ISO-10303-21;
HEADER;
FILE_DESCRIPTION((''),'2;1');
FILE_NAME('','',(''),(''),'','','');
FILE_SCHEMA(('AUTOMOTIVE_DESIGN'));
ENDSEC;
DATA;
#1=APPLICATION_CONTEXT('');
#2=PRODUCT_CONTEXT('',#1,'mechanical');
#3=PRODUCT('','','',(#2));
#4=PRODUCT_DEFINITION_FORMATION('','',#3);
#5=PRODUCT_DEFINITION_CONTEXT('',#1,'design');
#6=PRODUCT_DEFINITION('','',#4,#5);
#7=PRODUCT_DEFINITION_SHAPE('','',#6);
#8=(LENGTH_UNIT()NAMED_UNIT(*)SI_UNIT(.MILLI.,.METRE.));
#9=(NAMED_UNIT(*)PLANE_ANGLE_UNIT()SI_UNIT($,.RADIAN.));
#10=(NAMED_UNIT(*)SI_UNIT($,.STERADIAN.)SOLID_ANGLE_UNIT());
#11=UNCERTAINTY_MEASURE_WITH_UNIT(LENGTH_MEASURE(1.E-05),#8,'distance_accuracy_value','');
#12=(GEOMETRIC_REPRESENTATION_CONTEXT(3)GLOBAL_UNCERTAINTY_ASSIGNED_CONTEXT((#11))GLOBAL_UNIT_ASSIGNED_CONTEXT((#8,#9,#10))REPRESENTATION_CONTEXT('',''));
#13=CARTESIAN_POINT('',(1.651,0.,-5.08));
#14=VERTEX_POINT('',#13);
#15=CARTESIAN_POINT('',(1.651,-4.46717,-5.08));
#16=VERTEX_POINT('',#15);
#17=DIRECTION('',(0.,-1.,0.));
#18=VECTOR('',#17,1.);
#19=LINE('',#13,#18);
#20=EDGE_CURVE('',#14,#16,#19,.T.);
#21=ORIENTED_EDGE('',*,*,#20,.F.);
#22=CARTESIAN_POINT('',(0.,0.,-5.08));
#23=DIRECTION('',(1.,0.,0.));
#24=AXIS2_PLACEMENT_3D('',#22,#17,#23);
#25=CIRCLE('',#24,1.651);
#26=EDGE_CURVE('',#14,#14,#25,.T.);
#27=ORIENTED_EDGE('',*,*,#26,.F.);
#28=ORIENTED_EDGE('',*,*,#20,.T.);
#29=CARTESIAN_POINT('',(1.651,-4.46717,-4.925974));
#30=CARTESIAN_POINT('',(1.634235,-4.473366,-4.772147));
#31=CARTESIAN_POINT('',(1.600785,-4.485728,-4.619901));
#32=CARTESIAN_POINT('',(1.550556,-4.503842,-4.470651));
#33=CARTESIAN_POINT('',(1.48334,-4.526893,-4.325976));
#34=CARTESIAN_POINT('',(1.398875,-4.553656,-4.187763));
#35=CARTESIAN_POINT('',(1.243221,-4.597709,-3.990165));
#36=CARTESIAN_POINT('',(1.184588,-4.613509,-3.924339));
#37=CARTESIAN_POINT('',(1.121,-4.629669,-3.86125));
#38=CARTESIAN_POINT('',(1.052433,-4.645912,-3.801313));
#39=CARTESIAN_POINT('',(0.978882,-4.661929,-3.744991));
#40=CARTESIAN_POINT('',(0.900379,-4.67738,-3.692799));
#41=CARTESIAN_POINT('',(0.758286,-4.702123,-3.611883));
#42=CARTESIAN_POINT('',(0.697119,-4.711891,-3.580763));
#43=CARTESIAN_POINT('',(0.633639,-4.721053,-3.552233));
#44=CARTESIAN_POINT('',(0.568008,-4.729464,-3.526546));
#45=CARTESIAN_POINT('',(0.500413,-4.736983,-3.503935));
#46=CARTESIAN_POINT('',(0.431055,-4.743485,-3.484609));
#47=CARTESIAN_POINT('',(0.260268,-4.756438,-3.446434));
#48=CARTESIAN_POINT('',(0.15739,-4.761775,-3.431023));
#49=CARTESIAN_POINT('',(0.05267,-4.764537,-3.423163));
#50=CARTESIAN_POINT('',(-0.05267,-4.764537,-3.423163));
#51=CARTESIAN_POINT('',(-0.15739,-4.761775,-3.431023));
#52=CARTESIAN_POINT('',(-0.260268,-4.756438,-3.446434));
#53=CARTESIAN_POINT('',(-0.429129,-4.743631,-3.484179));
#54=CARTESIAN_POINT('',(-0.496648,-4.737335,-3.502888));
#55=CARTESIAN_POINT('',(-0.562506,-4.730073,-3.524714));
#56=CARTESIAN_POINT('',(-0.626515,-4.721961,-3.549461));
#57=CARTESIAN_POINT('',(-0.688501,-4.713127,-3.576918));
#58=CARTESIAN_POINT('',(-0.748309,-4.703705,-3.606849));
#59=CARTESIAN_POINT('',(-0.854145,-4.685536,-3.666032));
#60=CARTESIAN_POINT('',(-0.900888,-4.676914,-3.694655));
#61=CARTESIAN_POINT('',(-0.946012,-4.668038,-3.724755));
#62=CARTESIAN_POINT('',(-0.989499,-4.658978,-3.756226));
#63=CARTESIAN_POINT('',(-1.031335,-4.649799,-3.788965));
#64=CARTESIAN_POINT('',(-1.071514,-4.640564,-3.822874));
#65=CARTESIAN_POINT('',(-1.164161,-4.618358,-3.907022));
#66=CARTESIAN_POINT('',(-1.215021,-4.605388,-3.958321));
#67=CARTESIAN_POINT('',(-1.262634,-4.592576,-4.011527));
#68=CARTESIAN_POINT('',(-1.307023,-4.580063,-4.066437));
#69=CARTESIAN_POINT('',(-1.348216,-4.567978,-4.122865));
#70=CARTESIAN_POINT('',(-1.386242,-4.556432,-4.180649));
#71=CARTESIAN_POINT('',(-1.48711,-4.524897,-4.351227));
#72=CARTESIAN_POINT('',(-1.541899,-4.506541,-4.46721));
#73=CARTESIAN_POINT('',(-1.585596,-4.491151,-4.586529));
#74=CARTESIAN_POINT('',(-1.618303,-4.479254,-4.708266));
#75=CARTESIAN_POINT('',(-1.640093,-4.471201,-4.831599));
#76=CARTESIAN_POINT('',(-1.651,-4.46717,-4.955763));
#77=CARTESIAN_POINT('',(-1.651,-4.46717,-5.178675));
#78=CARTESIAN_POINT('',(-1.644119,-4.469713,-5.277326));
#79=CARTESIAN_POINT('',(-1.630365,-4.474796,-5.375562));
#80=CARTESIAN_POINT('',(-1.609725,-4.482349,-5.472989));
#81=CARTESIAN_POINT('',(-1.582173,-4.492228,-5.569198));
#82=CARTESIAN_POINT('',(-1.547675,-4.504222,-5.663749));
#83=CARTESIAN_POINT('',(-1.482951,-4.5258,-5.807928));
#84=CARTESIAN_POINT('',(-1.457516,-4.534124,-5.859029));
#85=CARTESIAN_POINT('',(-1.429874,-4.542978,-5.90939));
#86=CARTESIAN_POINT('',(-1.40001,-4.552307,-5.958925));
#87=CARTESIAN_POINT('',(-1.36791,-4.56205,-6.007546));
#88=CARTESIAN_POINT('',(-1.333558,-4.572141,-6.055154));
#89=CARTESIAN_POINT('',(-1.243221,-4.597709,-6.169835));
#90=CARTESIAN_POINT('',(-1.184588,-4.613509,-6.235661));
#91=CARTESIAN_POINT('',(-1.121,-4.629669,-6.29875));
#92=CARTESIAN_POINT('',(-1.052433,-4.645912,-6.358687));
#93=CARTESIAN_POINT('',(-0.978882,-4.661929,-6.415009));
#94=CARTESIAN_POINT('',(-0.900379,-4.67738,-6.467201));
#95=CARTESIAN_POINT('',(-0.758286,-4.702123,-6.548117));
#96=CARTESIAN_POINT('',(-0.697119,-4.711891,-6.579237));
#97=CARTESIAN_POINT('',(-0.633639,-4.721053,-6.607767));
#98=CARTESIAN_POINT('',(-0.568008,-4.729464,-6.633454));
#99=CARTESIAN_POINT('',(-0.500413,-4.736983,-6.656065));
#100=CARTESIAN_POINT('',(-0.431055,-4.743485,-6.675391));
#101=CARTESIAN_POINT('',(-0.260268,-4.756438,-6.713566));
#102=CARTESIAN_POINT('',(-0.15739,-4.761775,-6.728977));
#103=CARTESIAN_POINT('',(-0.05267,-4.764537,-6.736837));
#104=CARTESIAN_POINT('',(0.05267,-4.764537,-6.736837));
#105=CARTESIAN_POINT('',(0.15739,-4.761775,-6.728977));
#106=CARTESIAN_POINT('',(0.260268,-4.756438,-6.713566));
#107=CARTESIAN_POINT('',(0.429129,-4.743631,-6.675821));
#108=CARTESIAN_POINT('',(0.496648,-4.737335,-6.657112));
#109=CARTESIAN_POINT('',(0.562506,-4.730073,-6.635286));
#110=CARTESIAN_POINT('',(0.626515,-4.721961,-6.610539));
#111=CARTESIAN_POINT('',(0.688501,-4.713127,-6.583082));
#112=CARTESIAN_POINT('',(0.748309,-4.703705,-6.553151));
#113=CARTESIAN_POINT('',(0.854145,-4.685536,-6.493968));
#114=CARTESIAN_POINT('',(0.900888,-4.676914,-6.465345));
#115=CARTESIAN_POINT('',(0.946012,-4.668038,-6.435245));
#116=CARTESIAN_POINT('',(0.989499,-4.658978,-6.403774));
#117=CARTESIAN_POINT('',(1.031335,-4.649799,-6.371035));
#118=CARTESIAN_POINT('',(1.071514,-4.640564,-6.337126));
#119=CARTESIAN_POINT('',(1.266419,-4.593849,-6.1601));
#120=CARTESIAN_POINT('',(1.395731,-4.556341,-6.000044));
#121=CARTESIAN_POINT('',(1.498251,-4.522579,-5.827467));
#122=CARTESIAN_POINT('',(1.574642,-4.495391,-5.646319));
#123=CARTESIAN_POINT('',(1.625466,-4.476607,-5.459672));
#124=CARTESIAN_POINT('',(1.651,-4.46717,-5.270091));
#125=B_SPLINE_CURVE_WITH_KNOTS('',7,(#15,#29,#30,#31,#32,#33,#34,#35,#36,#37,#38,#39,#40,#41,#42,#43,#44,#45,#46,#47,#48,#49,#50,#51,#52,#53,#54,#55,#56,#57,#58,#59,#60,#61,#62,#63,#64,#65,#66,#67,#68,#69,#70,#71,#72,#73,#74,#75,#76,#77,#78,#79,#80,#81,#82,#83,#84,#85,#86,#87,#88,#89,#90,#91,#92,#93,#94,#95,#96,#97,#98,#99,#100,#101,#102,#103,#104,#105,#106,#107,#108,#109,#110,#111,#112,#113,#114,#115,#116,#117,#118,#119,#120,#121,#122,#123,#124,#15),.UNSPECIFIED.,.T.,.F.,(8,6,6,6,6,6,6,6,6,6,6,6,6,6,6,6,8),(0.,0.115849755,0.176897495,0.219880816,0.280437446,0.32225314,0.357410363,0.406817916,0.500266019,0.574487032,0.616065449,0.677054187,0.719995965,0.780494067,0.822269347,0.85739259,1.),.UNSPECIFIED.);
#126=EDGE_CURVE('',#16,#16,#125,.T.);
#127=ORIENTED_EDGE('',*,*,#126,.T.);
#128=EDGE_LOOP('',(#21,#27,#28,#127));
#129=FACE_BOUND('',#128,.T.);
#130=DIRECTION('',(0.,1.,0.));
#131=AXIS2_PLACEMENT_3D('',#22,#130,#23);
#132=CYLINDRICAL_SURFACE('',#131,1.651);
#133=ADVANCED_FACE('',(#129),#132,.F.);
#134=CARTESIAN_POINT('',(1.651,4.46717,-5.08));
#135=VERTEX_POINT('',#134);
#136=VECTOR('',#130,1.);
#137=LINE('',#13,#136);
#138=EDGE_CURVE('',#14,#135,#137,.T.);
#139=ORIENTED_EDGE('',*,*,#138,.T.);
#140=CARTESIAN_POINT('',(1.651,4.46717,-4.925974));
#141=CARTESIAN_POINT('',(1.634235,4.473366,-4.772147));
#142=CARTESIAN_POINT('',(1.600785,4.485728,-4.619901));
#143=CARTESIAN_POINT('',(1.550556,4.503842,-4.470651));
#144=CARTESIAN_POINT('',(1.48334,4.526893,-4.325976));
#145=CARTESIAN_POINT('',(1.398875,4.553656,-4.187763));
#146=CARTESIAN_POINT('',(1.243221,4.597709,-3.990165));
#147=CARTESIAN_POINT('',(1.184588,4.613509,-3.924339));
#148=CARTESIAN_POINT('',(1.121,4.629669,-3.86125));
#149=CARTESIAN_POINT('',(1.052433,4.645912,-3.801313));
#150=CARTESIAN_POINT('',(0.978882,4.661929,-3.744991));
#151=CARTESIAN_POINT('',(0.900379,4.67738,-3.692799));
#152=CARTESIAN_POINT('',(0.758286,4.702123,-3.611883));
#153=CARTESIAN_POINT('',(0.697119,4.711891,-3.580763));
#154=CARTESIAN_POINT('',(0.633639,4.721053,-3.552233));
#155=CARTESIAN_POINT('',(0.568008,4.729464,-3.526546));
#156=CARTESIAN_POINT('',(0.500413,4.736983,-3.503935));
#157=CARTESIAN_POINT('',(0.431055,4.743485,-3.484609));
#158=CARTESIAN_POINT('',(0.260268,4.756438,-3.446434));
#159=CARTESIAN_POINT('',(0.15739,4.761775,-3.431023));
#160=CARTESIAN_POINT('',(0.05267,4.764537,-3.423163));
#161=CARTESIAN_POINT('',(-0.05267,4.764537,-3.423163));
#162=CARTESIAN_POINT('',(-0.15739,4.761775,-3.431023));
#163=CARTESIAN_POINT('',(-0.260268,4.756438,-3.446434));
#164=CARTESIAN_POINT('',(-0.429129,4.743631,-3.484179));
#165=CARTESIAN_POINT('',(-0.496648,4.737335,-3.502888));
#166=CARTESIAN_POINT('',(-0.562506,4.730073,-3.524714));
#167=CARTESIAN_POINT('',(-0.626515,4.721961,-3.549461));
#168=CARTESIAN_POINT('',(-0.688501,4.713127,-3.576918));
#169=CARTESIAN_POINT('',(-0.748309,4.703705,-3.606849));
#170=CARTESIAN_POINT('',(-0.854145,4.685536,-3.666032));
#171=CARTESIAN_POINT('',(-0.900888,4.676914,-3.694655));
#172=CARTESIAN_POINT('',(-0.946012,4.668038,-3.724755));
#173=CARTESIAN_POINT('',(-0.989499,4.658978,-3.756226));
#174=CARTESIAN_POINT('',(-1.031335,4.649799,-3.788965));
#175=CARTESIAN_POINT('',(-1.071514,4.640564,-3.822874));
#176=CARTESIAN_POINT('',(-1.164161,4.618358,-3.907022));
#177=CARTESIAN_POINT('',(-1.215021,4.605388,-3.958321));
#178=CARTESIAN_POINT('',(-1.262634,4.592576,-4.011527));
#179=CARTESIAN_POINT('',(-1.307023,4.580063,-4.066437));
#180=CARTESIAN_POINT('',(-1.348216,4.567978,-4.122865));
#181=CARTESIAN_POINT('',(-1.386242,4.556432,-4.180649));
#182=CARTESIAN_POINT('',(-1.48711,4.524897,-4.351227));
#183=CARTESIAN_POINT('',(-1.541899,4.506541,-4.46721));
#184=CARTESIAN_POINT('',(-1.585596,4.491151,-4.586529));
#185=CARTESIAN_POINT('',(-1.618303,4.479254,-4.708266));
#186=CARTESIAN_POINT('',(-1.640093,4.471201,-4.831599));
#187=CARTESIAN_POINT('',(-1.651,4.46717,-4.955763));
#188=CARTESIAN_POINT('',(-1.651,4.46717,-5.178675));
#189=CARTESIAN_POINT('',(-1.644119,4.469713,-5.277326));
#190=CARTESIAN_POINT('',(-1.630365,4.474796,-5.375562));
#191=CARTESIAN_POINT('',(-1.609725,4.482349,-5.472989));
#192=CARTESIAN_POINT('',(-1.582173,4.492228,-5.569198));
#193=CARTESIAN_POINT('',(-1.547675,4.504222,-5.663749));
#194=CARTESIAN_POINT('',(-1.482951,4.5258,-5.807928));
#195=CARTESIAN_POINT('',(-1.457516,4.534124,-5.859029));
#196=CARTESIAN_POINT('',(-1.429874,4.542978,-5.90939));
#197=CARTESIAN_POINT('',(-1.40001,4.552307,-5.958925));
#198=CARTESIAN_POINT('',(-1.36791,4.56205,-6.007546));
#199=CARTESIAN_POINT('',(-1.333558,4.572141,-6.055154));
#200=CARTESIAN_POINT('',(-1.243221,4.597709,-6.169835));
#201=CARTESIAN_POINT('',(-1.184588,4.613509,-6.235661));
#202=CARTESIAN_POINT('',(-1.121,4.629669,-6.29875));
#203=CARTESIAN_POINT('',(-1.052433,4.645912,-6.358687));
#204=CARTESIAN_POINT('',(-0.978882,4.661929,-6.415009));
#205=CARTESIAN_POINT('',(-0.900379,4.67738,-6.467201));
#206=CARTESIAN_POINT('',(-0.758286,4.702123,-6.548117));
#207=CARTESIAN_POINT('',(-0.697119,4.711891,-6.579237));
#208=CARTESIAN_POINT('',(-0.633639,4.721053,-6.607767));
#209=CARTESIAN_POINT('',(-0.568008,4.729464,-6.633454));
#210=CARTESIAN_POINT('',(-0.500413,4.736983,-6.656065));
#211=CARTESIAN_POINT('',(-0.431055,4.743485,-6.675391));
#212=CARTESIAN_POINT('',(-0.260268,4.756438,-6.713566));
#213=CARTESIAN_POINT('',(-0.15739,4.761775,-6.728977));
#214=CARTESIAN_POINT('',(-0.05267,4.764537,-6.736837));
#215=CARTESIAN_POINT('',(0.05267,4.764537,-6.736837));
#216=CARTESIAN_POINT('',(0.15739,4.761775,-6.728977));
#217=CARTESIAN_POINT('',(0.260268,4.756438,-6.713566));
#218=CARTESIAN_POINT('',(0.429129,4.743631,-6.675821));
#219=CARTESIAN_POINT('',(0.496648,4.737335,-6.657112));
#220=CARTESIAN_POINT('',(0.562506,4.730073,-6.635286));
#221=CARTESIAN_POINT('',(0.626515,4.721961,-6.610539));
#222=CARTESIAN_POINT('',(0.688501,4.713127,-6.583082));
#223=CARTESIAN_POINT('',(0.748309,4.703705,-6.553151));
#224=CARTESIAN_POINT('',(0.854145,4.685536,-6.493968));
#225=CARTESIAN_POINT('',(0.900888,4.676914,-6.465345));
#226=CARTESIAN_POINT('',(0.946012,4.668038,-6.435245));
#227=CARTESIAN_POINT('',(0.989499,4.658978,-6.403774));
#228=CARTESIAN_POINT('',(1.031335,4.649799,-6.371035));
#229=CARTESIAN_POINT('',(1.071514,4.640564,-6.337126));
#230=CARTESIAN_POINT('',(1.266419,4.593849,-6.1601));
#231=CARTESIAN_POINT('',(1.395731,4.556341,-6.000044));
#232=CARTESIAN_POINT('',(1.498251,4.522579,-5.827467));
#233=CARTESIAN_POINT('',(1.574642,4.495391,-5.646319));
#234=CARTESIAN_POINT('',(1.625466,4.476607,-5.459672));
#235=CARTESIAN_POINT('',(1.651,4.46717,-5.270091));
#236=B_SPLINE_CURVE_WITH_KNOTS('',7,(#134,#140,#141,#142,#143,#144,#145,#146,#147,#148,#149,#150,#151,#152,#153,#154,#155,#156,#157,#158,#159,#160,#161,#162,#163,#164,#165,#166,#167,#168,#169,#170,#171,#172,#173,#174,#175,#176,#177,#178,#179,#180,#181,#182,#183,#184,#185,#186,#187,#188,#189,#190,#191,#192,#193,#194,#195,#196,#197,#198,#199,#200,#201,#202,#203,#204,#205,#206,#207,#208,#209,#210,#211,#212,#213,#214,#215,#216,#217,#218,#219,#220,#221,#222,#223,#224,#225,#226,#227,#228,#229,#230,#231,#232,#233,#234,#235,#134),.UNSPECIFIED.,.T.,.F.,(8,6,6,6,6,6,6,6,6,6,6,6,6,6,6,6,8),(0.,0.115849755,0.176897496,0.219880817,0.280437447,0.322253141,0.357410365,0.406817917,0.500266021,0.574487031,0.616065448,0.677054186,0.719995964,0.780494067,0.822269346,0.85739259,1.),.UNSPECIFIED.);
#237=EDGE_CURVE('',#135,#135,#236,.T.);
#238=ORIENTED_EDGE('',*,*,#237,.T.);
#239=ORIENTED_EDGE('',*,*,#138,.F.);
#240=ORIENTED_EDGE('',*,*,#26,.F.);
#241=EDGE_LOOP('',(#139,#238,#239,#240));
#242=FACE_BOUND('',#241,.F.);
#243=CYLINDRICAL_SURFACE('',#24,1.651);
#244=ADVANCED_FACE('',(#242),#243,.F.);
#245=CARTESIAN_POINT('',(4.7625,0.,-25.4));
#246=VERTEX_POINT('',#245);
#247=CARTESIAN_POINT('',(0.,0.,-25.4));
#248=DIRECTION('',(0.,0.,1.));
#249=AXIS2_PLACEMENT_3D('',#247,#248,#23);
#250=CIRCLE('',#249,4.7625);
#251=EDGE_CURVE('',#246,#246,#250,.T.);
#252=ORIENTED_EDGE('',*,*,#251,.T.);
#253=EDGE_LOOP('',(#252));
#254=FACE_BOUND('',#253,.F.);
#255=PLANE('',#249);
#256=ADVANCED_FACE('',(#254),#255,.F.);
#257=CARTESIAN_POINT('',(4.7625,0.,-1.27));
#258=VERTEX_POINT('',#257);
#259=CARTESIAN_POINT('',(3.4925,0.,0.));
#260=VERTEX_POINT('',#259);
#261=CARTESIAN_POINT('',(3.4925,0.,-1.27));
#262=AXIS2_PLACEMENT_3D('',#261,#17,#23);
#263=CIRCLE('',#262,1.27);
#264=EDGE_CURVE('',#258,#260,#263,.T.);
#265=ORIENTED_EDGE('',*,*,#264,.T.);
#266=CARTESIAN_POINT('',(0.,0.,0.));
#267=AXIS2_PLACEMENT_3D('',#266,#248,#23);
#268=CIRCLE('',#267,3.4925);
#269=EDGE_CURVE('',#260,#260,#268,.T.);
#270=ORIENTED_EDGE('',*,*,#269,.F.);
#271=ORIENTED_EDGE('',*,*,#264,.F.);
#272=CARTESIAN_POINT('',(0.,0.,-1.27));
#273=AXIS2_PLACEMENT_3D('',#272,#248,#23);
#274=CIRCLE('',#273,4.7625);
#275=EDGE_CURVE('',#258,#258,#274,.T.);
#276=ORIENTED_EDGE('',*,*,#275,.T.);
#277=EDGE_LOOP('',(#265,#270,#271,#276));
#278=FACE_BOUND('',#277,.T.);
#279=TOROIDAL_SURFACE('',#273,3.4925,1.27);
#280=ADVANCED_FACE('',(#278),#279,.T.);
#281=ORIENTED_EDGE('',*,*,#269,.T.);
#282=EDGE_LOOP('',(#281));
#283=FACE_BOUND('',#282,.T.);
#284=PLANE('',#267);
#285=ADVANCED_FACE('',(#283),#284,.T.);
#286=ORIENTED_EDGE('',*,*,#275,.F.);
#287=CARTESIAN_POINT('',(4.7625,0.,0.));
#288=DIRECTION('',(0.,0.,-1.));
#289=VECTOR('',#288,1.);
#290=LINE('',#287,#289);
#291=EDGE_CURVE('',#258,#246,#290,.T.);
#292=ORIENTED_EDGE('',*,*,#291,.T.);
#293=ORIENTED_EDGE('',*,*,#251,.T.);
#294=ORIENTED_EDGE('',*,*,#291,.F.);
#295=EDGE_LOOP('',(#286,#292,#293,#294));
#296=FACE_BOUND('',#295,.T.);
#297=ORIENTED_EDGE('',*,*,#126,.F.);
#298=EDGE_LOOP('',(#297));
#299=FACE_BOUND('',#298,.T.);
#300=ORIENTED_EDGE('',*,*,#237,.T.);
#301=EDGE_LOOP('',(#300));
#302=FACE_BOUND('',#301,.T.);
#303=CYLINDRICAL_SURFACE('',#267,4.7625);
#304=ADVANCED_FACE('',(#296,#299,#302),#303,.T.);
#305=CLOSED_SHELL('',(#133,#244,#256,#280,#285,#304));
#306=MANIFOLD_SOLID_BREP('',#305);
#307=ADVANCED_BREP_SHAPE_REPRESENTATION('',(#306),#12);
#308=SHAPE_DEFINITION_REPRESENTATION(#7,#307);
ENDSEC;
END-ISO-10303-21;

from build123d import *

# Parameters (mm, degrees)
F0_R          = 4.7625
F1_DEPTH      = 25.4
F2_R          = 1.651
F3_DEPTH      = 4.7635
F3_DEPTH_BACK = 25.4
F4_R          = 1.27


with BuildPart() as f1:
    # F0 (on Top) → F1 (new body)
    with BuildSketch(Plane.XY):
        Circle(F0_R)
    extrude(amount=-F1_DEPTH)

    # F2 (on Front) → F3 (cut, two sides)
    with BuildSketch(Plane.XZ) as f3_sk:
        with Locations((0, -5.08)):
            Circle(F2_R)
    extrude(amount=-F3_DEPTH, mode=Mode.SUBTRACT)
    extrude(f3_sk.sketch, amount=F3_DEPTH_BACK, mode=Mode.SUBTRACT)

    # F4
    f4_edges = [f1.edges().sort_by_distance(p)[0] for p in [
        (-4.7625, 0, 0),
    ]]
    fillet(f4_edges, radius=F4_R)


solid = f1.part
